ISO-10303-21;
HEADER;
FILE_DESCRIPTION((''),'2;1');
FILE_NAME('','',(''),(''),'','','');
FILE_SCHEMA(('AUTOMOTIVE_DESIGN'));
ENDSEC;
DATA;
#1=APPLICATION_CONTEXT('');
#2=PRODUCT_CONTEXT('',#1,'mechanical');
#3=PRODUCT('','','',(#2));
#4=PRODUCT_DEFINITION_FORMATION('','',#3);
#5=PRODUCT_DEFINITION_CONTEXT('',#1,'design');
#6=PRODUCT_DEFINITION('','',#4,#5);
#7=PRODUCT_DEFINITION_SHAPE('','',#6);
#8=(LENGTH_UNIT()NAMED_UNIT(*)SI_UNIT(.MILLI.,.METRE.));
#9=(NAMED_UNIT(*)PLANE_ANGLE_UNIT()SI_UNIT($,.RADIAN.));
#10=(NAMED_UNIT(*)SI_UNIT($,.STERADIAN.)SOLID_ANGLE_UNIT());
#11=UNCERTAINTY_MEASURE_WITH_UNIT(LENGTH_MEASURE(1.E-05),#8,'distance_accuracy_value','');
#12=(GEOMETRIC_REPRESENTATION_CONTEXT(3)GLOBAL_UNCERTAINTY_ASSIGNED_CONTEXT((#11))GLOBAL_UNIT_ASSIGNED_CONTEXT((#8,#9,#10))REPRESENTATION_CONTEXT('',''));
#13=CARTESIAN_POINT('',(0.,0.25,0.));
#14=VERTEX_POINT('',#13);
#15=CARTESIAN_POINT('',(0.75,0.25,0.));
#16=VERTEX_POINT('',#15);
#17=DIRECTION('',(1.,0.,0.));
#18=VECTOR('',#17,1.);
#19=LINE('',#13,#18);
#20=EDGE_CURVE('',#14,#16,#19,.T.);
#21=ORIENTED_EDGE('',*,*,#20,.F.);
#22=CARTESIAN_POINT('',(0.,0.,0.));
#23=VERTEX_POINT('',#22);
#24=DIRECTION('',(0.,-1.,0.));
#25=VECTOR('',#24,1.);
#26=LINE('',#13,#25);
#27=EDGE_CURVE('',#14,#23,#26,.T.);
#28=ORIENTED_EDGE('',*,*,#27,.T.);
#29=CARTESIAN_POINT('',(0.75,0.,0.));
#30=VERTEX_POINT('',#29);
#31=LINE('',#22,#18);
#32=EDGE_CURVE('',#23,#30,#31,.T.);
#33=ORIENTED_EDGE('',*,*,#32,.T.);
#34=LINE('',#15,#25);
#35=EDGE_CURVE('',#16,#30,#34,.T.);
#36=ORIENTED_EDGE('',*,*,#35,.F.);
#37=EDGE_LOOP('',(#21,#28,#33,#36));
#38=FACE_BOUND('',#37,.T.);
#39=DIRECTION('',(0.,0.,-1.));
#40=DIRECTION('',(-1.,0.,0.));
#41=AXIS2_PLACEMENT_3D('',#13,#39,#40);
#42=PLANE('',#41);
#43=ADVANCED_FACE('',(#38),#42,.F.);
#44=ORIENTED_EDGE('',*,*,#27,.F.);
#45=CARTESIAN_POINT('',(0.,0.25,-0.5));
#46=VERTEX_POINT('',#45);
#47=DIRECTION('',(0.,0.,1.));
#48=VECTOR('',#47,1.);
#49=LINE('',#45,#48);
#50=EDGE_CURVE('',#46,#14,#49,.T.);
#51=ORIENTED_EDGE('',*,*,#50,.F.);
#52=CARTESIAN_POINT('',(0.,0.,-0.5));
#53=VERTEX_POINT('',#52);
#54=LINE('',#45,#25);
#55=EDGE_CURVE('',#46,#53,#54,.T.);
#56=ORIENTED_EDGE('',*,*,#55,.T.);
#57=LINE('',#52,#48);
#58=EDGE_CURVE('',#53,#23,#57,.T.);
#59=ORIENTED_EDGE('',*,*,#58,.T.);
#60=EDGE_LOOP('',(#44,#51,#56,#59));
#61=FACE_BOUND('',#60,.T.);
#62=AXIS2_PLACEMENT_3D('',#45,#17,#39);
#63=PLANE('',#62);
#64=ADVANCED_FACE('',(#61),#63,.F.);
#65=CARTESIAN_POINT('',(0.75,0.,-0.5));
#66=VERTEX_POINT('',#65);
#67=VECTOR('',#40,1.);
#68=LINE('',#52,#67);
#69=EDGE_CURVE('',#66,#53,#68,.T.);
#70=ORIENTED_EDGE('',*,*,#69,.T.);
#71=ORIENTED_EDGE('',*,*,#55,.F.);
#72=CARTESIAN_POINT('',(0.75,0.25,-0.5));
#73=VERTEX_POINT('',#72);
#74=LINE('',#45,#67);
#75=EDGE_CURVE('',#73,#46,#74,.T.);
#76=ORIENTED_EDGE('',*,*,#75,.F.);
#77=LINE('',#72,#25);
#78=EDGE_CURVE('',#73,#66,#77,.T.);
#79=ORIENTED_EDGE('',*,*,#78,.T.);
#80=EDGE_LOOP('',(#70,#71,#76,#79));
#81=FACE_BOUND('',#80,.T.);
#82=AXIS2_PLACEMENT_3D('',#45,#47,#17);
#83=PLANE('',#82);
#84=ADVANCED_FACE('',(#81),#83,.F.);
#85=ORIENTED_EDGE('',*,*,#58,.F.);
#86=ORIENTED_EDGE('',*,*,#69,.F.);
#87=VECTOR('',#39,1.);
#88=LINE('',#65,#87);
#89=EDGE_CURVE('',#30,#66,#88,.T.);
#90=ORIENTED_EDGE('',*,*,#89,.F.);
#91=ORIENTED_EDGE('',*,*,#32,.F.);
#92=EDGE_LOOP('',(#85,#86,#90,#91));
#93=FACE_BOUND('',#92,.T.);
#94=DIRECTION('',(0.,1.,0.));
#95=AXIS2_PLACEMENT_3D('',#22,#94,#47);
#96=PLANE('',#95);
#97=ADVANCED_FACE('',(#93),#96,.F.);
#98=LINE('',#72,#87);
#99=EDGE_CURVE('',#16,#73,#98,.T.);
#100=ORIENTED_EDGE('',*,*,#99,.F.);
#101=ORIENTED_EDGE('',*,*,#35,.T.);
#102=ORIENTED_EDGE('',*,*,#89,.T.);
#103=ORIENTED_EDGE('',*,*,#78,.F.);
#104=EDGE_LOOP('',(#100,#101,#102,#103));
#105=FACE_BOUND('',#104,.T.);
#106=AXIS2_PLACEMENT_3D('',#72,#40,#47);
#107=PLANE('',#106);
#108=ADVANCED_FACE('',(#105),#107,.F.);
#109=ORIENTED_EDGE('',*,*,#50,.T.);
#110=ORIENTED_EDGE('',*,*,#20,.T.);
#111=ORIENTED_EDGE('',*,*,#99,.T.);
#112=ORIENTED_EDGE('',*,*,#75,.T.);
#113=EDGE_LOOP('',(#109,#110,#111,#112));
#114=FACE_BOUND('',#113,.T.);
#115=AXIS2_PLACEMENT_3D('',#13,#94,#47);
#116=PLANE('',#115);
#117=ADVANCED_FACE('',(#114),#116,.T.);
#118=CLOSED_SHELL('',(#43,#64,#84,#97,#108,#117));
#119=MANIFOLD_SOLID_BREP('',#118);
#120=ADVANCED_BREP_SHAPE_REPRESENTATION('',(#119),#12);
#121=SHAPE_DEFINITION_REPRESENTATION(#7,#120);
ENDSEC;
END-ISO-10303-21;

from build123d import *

# Parameters (mm, degrees)
SKETCH1_W           = 0.75
SKETCH1_H           = 0.5
BOSS_EXTRUDE1_DEPTH = 0.25


with BuildPart() as part:
    # Sketch1 → Boss-Extrude1 (new body)
    with BuildSketch(Plane(origin=(0, 0, 0), x_dir=(1, 0, 0), z_dir=(0, 1, 0))):
        with Locations((0.375, 0.25)):
            Rectangle(SKETCH1_W, SKETCH1_H)
    extrude(amount=BOSS_EXTRUDE1_DEPTH)


solid = part.part
